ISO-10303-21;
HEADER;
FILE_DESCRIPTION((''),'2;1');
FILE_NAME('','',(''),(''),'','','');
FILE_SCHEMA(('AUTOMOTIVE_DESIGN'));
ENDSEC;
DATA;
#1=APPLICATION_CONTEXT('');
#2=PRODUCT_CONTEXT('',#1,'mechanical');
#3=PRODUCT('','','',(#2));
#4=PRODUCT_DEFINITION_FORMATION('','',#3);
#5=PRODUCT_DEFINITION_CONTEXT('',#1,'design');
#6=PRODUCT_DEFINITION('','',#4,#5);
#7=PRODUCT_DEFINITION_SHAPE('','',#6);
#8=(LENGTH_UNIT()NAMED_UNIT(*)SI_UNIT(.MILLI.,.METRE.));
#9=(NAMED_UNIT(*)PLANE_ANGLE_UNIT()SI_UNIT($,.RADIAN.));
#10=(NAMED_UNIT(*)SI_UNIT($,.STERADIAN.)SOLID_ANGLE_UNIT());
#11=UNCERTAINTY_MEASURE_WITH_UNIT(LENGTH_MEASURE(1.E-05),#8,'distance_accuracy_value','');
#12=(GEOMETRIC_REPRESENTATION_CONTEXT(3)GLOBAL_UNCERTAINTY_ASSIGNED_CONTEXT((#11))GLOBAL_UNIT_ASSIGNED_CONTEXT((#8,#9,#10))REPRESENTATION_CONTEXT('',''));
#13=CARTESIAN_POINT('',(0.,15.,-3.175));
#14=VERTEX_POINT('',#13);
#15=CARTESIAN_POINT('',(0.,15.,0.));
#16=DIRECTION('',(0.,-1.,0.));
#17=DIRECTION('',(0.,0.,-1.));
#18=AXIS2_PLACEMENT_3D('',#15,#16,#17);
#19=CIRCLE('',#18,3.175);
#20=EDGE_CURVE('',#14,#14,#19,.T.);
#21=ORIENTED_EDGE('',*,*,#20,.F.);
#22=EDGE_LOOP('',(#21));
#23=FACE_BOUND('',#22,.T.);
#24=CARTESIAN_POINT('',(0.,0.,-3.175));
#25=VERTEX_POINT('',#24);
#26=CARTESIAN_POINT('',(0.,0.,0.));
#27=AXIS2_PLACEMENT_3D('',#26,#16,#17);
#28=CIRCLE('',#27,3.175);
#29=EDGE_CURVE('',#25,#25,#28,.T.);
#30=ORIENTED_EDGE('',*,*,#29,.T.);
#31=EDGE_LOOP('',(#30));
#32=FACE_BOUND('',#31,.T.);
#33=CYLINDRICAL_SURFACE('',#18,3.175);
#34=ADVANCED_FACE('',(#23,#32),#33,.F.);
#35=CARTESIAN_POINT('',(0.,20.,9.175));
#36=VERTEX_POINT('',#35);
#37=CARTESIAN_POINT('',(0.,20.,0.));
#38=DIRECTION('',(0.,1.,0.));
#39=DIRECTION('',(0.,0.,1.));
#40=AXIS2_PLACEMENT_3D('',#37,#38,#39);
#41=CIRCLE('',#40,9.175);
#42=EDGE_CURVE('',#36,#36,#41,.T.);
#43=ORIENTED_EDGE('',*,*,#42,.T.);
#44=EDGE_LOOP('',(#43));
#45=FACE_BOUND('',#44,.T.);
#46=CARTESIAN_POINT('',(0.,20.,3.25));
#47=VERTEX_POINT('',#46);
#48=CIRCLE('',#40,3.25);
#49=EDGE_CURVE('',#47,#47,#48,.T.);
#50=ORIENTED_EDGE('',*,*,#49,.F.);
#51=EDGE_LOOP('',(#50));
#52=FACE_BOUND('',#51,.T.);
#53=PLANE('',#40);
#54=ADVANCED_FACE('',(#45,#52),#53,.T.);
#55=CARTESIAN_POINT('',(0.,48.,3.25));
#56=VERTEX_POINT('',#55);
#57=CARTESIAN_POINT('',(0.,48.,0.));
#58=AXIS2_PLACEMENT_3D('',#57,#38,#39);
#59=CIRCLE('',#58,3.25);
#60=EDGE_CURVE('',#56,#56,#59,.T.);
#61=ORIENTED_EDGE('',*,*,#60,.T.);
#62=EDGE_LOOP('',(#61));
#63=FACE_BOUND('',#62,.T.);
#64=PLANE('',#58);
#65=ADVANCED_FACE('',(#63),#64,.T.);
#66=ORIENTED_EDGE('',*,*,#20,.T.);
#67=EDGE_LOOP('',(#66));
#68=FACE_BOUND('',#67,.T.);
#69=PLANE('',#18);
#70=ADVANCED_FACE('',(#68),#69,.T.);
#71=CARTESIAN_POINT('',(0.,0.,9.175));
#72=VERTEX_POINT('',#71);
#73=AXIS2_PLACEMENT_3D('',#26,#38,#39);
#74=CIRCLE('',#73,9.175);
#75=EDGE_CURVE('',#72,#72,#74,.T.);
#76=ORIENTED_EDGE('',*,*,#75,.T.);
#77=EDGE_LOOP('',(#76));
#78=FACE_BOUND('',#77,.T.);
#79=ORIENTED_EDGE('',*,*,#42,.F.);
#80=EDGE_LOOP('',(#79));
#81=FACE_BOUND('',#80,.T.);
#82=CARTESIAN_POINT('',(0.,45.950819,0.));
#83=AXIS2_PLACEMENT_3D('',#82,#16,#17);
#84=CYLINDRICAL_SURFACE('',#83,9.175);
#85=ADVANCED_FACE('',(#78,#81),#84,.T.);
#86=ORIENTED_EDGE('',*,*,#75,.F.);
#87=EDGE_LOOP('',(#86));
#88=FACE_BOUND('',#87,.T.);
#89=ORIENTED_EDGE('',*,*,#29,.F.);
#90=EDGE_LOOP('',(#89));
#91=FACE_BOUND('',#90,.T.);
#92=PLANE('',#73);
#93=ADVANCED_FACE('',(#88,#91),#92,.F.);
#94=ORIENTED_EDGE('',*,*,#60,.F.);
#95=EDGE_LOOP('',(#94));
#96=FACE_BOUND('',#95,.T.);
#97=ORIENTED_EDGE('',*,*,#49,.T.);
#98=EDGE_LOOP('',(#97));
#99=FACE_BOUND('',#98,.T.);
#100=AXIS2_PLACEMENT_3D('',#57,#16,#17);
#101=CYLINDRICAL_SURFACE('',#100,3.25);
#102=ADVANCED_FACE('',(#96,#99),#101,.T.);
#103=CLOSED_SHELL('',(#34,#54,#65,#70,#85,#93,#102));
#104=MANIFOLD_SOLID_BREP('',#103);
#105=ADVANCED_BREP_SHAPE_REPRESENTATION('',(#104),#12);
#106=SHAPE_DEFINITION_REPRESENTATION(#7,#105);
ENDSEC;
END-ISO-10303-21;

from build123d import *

# Parameters (mm, degrees)
SKETCH2_R           = 9.175
BOSS_EXTRUDE2_DEPTH = 20
SKETCH3_R           = 3.25
BOSS_EXTRUDE3_DEPTH = 28
SKETCH4_R           = 3.175
CUT_EXTRUDE1_DEPTH  = 15


with BuildPart() as part:
    # Sketch2 → Boss-Extrude2 (new body)
    with BuildSketch(Plane(origin=(0, 0, 0), x_dir=(1, 0, 0), z_dir=(0, 1, 0))):
        with Locations(Location((0, 0, 0), (0, 0, 270))):
            Circle(SKETCH2_R)
    extrude(amount=BOSS_EXTRUDE2_DEPTH)

    # Sketch3 → Boss-Extrude3 (add)
    with BuildSketch(Plane(origin=(0, 20, 0), x_dir=(1, 0, 0), z_dir=(0, 1, 0))):
        with Locations(Location((0, 0, 0), (0, 0, 270))):
            Circle(SKETCH3_R)
    extrude(amount=BOSS_EXTRUDE3_DEPTH)

    # Sketch4 → Cut-Extrude1 (cut)
    with BuildSketch(Plane.XZ):
        with Locations(Location((0, 0, 0), (0, 0, 270))):
            Circle(SKETCH4_R)
    extrude(amount=-CUT_EXTRUDE1_DEPTH, mode=Mode.SUBTRACT)


solid = part.part
